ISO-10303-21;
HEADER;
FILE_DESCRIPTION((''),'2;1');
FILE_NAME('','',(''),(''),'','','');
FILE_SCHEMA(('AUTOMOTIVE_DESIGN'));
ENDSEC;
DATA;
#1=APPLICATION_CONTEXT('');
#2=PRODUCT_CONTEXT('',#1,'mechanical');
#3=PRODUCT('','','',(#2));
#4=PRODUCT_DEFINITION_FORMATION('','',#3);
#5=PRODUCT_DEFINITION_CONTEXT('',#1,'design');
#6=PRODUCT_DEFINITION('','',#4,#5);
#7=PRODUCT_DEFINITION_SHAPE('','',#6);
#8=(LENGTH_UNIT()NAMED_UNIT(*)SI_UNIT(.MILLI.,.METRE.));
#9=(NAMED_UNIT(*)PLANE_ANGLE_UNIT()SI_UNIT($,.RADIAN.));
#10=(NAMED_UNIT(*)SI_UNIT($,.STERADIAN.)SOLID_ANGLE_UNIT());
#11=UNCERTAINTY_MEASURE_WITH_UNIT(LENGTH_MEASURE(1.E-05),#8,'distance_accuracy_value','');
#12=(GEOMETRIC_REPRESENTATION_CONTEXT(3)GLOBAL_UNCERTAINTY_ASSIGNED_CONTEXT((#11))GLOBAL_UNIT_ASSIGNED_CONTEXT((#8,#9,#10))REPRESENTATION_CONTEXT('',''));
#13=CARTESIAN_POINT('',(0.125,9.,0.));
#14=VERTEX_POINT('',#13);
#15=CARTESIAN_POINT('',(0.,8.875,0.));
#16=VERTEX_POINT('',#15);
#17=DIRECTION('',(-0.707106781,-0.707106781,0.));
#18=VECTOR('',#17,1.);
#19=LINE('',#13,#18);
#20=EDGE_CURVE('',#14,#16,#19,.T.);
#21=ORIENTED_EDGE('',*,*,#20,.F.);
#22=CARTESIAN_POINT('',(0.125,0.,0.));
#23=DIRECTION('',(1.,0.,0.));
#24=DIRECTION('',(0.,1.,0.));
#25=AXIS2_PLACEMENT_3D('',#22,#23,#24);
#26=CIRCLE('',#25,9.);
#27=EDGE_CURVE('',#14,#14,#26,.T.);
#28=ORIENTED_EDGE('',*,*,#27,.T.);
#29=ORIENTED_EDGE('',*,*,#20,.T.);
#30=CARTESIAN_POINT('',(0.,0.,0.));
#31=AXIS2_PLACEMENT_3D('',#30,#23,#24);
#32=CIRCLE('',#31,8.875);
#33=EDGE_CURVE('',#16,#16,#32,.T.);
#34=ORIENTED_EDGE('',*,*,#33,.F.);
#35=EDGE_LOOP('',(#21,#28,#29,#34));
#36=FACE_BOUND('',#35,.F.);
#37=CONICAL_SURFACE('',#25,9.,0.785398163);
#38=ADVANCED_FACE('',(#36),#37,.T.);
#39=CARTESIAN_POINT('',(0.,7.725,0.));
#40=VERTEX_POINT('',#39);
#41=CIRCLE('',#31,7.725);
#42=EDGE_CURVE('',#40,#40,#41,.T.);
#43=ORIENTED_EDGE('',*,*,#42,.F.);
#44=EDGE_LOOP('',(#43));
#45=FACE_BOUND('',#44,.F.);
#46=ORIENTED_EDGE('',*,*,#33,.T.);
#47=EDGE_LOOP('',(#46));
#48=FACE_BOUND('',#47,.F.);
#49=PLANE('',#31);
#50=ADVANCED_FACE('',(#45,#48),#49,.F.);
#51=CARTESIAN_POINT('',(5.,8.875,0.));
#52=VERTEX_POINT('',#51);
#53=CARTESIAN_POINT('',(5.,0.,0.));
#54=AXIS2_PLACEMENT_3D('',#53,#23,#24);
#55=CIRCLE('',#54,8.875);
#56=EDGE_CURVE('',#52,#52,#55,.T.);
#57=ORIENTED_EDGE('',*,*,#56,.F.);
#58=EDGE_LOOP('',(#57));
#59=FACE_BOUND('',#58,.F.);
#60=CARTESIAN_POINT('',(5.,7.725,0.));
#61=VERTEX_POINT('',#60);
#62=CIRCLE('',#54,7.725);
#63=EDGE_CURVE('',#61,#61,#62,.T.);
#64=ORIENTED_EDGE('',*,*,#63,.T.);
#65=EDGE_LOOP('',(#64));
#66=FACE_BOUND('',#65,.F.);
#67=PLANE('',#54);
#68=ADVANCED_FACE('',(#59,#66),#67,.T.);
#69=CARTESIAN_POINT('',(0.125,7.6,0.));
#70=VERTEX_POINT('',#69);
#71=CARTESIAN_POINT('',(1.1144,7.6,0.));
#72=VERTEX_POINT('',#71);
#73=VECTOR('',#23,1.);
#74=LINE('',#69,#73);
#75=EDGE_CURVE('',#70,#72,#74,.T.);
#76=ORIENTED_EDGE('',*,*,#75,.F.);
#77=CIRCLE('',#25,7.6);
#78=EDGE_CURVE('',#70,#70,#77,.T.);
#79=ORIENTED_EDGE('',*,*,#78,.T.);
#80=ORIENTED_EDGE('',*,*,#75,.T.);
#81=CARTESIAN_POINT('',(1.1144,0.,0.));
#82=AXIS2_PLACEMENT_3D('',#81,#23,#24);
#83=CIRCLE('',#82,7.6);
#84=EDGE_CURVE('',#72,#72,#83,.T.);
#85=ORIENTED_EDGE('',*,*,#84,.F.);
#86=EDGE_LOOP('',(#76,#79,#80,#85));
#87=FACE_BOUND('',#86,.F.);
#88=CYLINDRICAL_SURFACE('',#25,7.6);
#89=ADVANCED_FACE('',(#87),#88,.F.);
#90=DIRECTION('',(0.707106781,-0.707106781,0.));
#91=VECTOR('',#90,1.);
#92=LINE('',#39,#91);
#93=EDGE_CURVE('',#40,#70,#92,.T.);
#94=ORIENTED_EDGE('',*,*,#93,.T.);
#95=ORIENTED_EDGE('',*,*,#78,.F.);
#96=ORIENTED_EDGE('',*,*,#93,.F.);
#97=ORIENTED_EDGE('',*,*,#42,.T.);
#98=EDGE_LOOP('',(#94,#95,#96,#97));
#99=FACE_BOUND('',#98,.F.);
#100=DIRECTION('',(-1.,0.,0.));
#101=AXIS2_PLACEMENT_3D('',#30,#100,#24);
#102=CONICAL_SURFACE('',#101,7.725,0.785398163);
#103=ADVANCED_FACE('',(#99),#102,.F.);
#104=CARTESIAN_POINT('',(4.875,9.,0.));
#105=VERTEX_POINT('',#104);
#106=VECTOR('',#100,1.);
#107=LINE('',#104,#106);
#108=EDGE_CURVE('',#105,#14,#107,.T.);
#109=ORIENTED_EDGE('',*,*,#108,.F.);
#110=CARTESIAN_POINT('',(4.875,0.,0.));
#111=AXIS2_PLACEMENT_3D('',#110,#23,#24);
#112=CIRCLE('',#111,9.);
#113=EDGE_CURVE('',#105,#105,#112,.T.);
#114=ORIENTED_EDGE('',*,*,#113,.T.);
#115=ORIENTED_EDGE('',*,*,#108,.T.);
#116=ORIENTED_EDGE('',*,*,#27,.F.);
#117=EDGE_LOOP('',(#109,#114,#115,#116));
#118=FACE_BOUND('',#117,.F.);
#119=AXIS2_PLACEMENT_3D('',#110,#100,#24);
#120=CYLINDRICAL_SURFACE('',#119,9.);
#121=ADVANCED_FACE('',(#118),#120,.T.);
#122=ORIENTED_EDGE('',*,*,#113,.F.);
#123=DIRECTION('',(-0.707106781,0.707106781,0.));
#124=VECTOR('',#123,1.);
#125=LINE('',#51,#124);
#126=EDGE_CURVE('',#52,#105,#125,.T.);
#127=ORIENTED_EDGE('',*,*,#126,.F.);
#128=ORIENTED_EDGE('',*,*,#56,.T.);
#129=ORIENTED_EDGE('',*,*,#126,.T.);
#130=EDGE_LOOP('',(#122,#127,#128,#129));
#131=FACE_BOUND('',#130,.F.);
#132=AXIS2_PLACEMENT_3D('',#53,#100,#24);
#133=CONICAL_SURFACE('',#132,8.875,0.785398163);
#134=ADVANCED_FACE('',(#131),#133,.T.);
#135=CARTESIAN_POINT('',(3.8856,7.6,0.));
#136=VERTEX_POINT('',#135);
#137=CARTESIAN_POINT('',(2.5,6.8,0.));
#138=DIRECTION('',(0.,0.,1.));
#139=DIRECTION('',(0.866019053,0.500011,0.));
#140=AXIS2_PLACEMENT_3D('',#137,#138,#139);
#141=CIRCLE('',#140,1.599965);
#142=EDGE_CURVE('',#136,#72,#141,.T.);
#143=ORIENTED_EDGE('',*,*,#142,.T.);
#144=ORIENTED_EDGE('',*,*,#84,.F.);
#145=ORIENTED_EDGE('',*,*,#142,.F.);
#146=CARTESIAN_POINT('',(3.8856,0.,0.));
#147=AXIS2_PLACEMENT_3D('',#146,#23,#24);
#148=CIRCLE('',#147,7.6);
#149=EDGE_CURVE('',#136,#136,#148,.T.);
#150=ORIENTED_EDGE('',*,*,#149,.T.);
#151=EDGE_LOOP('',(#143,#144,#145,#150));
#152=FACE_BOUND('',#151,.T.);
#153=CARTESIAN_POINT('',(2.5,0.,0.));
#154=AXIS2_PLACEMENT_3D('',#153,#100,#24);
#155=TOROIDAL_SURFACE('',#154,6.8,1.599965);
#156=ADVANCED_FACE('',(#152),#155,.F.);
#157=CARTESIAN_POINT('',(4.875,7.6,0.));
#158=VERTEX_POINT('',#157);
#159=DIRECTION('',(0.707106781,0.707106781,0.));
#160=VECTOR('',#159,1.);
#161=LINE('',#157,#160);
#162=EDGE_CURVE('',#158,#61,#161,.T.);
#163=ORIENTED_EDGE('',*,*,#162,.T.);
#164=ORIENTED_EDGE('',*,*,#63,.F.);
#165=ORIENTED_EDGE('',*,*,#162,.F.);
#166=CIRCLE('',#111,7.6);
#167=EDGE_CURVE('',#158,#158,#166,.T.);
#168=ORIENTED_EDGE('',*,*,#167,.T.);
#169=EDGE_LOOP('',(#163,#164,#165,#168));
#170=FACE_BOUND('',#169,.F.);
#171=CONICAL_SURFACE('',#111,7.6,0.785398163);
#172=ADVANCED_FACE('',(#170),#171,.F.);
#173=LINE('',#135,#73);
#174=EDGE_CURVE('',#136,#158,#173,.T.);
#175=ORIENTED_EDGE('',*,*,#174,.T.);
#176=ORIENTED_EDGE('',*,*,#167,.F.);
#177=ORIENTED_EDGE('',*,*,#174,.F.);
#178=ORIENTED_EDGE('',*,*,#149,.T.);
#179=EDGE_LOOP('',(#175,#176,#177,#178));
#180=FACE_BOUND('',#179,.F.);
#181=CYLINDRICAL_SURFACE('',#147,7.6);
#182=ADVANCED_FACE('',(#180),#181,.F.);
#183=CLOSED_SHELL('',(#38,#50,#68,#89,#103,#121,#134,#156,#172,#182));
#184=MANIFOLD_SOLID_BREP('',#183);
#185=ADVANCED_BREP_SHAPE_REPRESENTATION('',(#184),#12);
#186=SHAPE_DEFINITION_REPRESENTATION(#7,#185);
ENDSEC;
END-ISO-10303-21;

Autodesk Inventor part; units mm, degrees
sketch "Sketch_3" plane through (0, 0, 0) normal (0, 0, 1) x (1, 0, 0)
  line L0 (5, 0) -> (0, 0)
  line L1 (0, 8.875) -> (0, 7.725)
  line L2 (0, 7.725) -> (0.125, 7.6)
  line L3 (0.125, 7.6) -> (1.1144, 7.6)
  arc A0 (3.8856, 7.6) -> (1.1144, 7.6) centre (2.5, 6.8) ccw
  line L4 (3.8856, 7.6) -> (4.875, 7.6)
  line L5 (4.875, 7.6) -> (5, 7.725)
  line L6 (5, 7.725) -> (5, 8.875)
  line L7 (5, 8.875) -> (4.875, 9)
  line L8 (4.875, 9) -> (0.125, 9)
  line L9 (0.125, 9) -> (0, 8.875)
revolve "Revolution1" add sketch "Sketch_3" angle 360 about axis through (5, 0, 0) along (1, 0, 0)
ref_plane "OR_Cage_XY" through (0, 0, 0) normal (1, 0, 0) x (0, 0, -1)
ref_plane "OR_Cage_YZ" through (0, 0, 0) normal (0, 0, -1) x (0, 1, 0)
ref_plane "OR_Cage_ZX" through (0, 0, 0) normal (0, 1, 0) x (1, 0, 0)
ref_plane "OR_IR_XY" through (0, 0, 0) normal (1, 0, 0) x (0, 0, -1)
ref_plane "OR_IR_YZ" through (0, 0, 0) normal (0, 0, -1) x (0, 1, 0)
ref_plane "OR_IR_ZX" through (0, 0, 0) normal (0, 1, 0) x (1, 0, 0)
ref_plane "OR_ball_1_XY" through (2.5, 6.8, 0) normal (1, 0, 0) x (0, 0, -1)
ref_plane "OR_ball_1_YZ" through (2.5, 6.8, 0) normal (0, 0, -1) x (0, 1, 0)
ref_plane "OR_ball_1_ZX" through (2.5, 6.8, 0) normal (0, 1, 0) x (1, 0, 0)
ref_plane "OR_ball_2_XY" through (2.5, 3.4, 5.889) normal (1, 0, 0) x (0, 0, -1)
ref_plane "OR_ball_2_YZ" through (2.5, 3.4, 5.889) normal (0, 0, -1) x (0, 1, 0)
ref_plane "OR_ball_2_ZX" through (2.5, 3.4, 5.889) normal (0, 1, 0) x (1, 0, 0)
ref_plane "OR_ball_3_XY" through (2.5, -3.4, 5.889) normal (1, 0, 0) x (0, 0, -1)
ref_plane "OR_ball_3_YZ" through (2.5, -3.4, 5.889) normal (0, 0, -1) x (0, 1, 0)
ref_plane "OR_ball_3_ZX" through (2.5, -3.4, 5.889) normal (0, 1, 0) x (1, 0, 0)
ref_plane "OR_ball_4_XY" through (2.5, -6.8, 0) normal (1, 0, 0) x (0, 0, -1)
ref_plane "OR_ball_4_YZ" through (2.5, -6.8, 0) normal (0, 0, -1) x (0, 1, 0)
ref_plane "OR_ball_4_ZX" through (2.5, -6.8, 0) normal (0, 1, 0) x (1, 0, 0)
ref_plane "OR_ball_5_XY" through (2.5, -3.4, -5.889) normal (1, 0, 0) x (0, 0, -1)
ref_plane "OR_ball_5_YZ" through (2.5, -3.4, -5.889) normal (0, 0, -1) x (0, 1, 0)
ref_plane "OR_ball_5_ZX" through (2.5, -3.4, -5.889) normal (0, 1, 0) x (1, 0, 0)
ref_plane "OR_ball_6_XY" through (2.5, 3.4, -5.889) normal (1, 0, 0) x (0, 0, -1)
ref_plane "OR_ball_6_YZ" through (2.5, 3.4, -5.889) normal (0, 0, -1) x (0, 1, 0)
ref_plane "OR_ball_6_ZX" through (2.5, 3.4, -5.889) normal (0, 1, 0) x (1, 0, 0)
properties part number "040102DR-18-H8_or"
